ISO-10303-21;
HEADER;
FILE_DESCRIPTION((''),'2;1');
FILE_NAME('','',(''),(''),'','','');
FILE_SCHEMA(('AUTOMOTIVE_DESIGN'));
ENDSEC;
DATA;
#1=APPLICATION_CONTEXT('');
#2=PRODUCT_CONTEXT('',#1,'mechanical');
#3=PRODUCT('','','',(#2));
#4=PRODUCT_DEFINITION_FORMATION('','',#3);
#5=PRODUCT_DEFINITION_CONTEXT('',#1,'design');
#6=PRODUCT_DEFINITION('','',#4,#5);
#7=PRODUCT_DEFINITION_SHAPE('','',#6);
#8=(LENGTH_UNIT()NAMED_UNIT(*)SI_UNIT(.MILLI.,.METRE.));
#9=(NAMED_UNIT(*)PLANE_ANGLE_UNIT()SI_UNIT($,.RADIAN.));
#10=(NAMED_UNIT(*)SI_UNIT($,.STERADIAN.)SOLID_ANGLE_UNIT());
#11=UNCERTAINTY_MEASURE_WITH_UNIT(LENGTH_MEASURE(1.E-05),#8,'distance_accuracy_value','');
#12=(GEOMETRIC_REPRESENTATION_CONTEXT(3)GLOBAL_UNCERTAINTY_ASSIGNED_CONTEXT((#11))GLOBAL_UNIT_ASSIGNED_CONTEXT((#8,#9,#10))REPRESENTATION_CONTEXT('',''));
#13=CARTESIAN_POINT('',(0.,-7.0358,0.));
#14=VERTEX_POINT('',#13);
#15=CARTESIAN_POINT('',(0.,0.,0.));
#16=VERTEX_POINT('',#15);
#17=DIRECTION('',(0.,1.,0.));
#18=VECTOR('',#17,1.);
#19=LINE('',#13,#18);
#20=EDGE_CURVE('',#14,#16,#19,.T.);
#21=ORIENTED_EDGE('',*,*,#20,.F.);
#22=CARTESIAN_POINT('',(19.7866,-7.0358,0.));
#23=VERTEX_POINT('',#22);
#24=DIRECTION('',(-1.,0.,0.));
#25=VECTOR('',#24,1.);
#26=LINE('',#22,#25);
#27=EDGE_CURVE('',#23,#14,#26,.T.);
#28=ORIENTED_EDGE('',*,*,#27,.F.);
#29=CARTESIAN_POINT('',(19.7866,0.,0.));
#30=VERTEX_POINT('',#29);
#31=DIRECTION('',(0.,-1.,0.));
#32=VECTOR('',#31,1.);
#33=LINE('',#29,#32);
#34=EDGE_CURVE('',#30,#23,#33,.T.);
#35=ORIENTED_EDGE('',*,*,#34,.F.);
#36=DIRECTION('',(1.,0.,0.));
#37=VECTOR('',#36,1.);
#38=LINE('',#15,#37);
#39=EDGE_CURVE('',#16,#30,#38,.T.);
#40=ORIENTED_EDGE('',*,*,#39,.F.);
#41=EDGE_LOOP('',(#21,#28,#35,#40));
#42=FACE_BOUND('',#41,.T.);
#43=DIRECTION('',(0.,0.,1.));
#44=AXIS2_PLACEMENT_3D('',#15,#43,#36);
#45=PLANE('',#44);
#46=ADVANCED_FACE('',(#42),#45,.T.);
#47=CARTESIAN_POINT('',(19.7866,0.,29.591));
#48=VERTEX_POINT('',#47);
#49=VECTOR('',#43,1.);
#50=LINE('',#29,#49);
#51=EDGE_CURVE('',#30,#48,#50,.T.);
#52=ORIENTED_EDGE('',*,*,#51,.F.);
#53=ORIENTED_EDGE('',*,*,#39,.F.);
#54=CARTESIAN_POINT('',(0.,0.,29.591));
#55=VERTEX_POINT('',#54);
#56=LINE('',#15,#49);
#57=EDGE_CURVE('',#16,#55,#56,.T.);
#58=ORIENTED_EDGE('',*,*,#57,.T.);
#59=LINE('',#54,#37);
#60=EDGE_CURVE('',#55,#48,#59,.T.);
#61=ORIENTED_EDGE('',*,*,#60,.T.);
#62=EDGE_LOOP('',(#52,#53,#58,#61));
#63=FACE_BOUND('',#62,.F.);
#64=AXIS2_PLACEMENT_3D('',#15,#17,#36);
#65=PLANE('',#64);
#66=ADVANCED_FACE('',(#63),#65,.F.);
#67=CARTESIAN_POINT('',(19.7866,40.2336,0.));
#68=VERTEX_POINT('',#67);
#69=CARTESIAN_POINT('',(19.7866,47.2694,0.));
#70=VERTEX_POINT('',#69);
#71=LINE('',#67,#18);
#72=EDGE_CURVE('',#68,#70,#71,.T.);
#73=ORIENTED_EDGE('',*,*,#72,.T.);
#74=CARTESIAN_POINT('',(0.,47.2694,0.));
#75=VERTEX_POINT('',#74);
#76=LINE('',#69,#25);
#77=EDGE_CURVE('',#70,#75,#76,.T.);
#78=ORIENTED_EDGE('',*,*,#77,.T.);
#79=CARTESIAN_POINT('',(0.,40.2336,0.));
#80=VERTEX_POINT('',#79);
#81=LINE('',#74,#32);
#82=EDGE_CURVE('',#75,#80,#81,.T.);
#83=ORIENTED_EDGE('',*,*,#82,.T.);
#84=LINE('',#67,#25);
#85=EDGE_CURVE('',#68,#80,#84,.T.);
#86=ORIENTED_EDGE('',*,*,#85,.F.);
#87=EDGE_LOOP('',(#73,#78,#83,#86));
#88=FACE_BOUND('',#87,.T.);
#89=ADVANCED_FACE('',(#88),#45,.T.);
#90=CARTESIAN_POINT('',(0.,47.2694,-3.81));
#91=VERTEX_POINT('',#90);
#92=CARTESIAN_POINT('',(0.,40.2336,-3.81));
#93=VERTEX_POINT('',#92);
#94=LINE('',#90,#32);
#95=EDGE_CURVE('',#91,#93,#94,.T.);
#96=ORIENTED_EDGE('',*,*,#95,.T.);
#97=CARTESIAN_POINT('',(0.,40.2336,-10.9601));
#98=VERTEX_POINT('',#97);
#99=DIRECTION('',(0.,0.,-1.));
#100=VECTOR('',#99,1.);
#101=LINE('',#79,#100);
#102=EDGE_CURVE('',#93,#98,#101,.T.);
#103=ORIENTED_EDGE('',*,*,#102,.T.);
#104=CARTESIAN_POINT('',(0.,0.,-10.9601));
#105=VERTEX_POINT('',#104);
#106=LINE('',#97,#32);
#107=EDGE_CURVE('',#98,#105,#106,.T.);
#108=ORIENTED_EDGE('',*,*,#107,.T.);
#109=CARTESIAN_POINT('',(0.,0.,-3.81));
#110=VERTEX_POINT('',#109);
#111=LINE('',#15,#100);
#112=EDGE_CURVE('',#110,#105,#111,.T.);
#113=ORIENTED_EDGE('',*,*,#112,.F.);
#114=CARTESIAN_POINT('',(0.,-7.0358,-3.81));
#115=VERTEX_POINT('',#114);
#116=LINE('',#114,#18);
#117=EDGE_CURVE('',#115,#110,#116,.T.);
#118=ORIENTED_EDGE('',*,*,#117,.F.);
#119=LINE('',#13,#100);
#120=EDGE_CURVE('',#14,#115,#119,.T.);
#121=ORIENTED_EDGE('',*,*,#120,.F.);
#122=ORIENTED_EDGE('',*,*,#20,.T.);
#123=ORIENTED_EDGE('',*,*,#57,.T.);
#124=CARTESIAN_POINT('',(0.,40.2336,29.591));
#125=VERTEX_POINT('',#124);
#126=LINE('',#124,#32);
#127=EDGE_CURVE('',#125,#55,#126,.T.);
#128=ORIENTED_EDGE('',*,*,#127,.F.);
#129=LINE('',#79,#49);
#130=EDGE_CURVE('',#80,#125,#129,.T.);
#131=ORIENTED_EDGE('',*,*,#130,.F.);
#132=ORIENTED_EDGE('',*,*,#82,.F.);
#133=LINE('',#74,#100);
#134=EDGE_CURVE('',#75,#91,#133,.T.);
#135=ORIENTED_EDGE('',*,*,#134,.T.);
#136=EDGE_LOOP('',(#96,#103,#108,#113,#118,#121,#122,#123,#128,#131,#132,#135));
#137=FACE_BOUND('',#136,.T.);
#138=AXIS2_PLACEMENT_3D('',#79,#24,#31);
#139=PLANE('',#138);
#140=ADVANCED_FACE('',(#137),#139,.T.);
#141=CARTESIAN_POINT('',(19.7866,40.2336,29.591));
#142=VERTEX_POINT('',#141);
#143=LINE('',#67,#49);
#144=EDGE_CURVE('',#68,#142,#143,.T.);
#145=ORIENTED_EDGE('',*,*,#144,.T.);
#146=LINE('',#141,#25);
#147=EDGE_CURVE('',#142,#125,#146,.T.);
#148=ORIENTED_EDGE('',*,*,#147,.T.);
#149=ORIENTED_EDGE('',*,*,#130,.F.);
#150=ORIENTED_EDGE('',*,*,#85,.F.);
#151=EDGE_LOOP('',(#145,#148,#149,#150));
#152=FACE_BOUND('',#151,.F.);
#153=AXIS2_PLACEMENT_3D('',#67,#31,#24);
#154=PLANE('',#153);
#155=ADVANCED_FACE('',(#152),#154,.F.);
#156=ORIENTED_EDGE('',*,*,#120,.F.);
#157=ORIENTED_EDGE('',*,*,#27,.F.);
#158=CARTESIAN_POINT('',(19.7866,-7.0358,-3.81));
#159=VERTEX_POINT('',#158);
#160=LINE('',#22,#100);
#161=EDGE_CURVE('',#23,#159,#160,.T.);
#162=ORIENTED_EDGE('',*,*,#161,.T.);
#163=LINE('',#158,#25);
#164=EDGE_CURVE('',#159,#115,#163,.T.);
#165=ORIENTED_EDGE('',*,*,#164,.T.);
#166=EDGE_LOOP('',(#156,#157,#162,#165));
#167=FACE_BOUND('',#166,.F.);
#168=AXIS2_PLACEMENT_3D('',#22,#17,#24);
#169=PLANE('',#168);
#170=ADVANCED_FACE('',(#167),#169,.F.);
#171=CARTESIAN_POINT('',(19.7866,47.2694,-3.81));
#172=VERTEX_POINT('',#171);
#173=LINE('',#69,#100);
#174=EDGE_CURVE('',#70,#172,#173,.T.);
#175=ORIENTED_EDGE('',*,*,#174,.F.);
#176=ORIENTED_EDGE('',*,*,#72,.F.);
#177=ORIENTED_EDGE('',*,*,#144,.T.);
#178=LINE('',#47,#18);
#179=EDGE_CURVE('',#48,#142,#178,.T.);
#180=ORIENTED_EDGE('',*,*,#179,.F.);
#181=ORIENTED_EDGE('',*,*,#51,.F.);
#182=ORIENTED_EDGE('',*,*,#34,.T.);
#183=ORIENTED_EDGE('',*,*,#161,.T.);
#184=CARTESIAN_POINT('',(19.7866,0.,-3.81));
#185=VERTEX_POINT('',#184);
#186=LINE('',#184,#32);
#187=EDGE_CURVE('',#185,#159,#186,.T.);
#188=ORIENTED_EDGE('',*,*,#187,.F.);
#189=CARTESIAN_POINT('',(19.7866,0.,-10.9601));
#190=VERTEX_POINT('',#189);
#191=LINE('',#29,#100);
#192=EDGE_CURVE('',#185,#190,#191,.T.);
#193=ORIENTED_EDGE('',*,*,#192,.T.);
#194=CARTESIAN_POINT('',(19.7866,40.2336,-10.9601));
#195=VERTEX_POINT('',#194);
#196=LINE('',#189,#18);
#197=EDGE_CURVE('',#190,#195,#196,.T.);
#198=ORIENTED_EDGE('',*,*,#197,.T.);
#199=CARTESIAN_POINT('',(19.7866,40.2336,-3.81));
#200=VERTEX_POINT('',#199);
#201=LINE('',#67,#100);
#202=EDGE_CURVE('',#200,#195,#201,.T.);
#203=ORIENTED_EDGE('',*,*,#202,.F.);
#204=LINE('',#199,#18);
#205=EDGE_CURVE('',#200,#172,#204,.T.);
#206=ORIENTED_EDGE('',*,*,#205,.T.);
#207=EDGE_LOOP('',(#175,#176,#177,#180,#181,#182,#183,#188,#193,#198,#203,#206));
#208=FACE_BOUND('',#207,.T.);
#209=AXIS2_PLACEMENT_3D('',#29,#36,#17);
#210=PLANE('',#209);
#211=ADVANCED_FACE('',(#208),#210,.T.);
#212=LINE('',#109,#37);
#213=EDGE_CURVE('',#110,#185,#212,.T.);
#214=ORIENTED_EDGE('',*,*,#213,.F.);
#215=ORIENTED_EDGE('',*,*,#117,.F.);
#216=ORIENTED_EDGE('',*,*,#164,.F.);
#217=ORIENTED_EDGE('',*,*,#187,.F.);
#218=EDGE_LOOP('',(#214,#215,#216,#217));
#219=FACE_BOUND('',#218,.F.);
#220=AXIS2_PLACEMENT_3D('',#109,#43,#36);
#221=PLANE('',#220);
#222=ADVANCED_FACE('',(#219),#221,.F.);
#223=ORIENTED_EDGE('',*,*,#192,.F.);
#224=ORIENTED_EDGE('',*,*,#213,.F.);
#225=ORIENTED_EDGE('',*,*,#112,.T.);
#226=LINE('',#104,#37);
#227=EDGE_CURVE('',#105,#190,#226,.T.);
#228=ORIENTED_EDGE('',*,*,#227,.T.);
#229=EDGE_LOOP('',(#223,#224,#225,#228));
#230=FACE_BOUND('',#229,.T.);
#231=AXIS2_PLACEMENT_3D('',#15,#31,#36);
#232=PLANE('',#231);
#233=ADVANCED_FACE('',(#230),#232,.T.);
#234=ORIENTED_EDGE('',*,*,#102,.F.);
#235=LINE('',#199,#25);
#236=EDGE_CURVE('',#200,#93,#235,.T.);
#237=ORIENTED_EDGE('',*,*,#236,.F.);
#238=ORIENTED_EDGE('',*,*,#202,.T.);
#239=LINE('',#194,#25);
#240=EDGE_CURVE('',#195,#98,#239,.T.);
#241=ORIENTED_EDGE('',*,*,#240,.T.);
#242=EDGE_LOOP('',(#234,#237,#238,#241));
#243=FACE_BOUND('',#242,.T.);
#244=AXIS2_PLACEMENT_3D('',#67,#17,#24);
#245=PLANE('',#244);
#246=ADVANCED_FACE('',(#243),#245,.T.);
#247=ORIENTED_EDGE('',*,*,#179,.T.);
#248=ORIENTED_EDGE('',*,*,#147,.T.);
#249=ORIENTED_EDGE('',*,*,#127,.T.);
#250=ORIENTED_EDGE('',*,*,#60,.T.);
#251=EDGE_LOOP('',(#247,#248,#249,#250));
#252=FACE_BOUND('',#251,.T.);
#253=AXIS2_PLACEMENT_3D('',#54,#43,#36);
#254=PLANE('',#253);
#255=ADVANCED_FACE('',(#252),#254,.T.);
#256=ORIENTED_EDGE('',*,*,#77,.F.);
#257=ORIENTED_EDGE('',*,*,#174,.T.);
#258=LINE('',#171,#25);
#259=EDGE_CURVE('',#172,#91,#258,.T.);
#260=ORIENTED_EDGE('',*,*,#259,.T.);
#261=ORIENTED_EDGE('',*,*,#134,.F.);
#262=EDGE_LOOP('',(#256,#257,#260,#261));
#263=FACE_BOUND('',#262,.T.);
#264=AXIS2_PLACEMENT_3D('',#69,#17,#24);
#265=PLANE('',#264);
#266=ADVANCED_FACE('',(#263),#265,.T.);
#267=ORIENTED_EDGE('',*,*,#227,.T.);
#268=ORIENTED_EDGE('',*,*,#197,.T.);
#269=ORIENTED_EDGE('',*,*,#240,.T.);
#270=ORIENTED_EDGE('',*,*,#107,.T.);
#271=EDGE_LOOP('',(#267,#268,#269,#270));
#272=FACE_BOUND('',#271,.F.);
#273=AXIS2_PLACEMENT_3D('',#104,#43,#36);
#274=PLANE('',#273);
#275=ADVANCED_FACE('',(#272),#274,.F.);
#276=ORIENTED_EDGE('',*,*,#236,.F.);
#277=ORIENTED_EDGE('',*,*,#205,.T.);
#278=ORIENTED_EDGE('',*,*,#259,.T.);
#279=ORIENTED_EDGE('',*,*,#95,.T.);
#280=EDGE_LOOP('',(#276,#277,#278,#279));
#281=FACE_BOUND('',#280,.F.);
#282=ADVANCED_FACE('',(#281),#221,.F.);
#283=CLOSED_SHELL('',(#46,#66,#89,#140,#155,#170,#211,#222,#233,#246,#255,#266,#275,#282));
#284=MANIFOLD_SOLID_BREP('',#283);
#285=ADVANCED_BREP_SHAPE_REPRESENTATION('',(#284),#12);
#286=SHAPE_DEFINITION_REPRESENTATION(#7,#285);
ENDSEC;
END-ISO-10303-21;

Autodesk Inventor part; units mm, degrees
ref_plane "YZ Plane" through (0, 0, 0) normal (1, 0, 0) x (0, 1, 0)
ref_plane "XZ Plane" through (0, 0, 0) normal (0, 1, 0) x (-1, 0, 0)
ref_plane "XY Plane" through (0, 0, 0) normal (0, 0, 1) x (1, 0, 0)
sketch "Sketch1" plane through (0, 0, 0) normal (0, 0, 1) x (1, 0, 0)
  line L0 (0, 0) -> (19.7866, 0)
  line L1 (19.7866, 0) -> (19.7866, 40.2336)
  line L2 (19.7866, 40.2336) -> (0, 40.2336)
  line L3 (0, 40.2336) -> (0, 0)
  line L4 (0, 0) -> (19.7866, 0)
  line L5 (19.7866, 0) -> (19.7866, -7.0358)
  line L6 (19.7866, -7.0358) -> (0, -7.0358)
  line L7 (0, -7.0358) -> (0, 0)
  line L8 (19.7866, 20.1168) -> (0, 20.1168) construction
  line L9 (19.7866, 40.2336) -> (19.7866, 47.2694)
  line L10 (19.7866, 47.2694) -> (0, 47.2694)
  line L11 (0, 47.2694) -> (0, 40.2336)
  dimension "d0" = 19.7866
  dimension "d1" = 40.2336
  dimension "d2" = 7.0358
extrude "Extrusion1" add sketch "Sketch1" along normal blind 29.591 contours L3 L2 L1 L0
extrude "Extrusion2" add sketch "Sketch1" against normal blind 3.81 contours L0 L5 L6 L7 | L11 L10 L9 L2
extrude "Extrusion3" add sketch "Sketch1" against normal blind 10.9601 contours L3 L2 L1 L0
properties part number "ServoSimplified"
